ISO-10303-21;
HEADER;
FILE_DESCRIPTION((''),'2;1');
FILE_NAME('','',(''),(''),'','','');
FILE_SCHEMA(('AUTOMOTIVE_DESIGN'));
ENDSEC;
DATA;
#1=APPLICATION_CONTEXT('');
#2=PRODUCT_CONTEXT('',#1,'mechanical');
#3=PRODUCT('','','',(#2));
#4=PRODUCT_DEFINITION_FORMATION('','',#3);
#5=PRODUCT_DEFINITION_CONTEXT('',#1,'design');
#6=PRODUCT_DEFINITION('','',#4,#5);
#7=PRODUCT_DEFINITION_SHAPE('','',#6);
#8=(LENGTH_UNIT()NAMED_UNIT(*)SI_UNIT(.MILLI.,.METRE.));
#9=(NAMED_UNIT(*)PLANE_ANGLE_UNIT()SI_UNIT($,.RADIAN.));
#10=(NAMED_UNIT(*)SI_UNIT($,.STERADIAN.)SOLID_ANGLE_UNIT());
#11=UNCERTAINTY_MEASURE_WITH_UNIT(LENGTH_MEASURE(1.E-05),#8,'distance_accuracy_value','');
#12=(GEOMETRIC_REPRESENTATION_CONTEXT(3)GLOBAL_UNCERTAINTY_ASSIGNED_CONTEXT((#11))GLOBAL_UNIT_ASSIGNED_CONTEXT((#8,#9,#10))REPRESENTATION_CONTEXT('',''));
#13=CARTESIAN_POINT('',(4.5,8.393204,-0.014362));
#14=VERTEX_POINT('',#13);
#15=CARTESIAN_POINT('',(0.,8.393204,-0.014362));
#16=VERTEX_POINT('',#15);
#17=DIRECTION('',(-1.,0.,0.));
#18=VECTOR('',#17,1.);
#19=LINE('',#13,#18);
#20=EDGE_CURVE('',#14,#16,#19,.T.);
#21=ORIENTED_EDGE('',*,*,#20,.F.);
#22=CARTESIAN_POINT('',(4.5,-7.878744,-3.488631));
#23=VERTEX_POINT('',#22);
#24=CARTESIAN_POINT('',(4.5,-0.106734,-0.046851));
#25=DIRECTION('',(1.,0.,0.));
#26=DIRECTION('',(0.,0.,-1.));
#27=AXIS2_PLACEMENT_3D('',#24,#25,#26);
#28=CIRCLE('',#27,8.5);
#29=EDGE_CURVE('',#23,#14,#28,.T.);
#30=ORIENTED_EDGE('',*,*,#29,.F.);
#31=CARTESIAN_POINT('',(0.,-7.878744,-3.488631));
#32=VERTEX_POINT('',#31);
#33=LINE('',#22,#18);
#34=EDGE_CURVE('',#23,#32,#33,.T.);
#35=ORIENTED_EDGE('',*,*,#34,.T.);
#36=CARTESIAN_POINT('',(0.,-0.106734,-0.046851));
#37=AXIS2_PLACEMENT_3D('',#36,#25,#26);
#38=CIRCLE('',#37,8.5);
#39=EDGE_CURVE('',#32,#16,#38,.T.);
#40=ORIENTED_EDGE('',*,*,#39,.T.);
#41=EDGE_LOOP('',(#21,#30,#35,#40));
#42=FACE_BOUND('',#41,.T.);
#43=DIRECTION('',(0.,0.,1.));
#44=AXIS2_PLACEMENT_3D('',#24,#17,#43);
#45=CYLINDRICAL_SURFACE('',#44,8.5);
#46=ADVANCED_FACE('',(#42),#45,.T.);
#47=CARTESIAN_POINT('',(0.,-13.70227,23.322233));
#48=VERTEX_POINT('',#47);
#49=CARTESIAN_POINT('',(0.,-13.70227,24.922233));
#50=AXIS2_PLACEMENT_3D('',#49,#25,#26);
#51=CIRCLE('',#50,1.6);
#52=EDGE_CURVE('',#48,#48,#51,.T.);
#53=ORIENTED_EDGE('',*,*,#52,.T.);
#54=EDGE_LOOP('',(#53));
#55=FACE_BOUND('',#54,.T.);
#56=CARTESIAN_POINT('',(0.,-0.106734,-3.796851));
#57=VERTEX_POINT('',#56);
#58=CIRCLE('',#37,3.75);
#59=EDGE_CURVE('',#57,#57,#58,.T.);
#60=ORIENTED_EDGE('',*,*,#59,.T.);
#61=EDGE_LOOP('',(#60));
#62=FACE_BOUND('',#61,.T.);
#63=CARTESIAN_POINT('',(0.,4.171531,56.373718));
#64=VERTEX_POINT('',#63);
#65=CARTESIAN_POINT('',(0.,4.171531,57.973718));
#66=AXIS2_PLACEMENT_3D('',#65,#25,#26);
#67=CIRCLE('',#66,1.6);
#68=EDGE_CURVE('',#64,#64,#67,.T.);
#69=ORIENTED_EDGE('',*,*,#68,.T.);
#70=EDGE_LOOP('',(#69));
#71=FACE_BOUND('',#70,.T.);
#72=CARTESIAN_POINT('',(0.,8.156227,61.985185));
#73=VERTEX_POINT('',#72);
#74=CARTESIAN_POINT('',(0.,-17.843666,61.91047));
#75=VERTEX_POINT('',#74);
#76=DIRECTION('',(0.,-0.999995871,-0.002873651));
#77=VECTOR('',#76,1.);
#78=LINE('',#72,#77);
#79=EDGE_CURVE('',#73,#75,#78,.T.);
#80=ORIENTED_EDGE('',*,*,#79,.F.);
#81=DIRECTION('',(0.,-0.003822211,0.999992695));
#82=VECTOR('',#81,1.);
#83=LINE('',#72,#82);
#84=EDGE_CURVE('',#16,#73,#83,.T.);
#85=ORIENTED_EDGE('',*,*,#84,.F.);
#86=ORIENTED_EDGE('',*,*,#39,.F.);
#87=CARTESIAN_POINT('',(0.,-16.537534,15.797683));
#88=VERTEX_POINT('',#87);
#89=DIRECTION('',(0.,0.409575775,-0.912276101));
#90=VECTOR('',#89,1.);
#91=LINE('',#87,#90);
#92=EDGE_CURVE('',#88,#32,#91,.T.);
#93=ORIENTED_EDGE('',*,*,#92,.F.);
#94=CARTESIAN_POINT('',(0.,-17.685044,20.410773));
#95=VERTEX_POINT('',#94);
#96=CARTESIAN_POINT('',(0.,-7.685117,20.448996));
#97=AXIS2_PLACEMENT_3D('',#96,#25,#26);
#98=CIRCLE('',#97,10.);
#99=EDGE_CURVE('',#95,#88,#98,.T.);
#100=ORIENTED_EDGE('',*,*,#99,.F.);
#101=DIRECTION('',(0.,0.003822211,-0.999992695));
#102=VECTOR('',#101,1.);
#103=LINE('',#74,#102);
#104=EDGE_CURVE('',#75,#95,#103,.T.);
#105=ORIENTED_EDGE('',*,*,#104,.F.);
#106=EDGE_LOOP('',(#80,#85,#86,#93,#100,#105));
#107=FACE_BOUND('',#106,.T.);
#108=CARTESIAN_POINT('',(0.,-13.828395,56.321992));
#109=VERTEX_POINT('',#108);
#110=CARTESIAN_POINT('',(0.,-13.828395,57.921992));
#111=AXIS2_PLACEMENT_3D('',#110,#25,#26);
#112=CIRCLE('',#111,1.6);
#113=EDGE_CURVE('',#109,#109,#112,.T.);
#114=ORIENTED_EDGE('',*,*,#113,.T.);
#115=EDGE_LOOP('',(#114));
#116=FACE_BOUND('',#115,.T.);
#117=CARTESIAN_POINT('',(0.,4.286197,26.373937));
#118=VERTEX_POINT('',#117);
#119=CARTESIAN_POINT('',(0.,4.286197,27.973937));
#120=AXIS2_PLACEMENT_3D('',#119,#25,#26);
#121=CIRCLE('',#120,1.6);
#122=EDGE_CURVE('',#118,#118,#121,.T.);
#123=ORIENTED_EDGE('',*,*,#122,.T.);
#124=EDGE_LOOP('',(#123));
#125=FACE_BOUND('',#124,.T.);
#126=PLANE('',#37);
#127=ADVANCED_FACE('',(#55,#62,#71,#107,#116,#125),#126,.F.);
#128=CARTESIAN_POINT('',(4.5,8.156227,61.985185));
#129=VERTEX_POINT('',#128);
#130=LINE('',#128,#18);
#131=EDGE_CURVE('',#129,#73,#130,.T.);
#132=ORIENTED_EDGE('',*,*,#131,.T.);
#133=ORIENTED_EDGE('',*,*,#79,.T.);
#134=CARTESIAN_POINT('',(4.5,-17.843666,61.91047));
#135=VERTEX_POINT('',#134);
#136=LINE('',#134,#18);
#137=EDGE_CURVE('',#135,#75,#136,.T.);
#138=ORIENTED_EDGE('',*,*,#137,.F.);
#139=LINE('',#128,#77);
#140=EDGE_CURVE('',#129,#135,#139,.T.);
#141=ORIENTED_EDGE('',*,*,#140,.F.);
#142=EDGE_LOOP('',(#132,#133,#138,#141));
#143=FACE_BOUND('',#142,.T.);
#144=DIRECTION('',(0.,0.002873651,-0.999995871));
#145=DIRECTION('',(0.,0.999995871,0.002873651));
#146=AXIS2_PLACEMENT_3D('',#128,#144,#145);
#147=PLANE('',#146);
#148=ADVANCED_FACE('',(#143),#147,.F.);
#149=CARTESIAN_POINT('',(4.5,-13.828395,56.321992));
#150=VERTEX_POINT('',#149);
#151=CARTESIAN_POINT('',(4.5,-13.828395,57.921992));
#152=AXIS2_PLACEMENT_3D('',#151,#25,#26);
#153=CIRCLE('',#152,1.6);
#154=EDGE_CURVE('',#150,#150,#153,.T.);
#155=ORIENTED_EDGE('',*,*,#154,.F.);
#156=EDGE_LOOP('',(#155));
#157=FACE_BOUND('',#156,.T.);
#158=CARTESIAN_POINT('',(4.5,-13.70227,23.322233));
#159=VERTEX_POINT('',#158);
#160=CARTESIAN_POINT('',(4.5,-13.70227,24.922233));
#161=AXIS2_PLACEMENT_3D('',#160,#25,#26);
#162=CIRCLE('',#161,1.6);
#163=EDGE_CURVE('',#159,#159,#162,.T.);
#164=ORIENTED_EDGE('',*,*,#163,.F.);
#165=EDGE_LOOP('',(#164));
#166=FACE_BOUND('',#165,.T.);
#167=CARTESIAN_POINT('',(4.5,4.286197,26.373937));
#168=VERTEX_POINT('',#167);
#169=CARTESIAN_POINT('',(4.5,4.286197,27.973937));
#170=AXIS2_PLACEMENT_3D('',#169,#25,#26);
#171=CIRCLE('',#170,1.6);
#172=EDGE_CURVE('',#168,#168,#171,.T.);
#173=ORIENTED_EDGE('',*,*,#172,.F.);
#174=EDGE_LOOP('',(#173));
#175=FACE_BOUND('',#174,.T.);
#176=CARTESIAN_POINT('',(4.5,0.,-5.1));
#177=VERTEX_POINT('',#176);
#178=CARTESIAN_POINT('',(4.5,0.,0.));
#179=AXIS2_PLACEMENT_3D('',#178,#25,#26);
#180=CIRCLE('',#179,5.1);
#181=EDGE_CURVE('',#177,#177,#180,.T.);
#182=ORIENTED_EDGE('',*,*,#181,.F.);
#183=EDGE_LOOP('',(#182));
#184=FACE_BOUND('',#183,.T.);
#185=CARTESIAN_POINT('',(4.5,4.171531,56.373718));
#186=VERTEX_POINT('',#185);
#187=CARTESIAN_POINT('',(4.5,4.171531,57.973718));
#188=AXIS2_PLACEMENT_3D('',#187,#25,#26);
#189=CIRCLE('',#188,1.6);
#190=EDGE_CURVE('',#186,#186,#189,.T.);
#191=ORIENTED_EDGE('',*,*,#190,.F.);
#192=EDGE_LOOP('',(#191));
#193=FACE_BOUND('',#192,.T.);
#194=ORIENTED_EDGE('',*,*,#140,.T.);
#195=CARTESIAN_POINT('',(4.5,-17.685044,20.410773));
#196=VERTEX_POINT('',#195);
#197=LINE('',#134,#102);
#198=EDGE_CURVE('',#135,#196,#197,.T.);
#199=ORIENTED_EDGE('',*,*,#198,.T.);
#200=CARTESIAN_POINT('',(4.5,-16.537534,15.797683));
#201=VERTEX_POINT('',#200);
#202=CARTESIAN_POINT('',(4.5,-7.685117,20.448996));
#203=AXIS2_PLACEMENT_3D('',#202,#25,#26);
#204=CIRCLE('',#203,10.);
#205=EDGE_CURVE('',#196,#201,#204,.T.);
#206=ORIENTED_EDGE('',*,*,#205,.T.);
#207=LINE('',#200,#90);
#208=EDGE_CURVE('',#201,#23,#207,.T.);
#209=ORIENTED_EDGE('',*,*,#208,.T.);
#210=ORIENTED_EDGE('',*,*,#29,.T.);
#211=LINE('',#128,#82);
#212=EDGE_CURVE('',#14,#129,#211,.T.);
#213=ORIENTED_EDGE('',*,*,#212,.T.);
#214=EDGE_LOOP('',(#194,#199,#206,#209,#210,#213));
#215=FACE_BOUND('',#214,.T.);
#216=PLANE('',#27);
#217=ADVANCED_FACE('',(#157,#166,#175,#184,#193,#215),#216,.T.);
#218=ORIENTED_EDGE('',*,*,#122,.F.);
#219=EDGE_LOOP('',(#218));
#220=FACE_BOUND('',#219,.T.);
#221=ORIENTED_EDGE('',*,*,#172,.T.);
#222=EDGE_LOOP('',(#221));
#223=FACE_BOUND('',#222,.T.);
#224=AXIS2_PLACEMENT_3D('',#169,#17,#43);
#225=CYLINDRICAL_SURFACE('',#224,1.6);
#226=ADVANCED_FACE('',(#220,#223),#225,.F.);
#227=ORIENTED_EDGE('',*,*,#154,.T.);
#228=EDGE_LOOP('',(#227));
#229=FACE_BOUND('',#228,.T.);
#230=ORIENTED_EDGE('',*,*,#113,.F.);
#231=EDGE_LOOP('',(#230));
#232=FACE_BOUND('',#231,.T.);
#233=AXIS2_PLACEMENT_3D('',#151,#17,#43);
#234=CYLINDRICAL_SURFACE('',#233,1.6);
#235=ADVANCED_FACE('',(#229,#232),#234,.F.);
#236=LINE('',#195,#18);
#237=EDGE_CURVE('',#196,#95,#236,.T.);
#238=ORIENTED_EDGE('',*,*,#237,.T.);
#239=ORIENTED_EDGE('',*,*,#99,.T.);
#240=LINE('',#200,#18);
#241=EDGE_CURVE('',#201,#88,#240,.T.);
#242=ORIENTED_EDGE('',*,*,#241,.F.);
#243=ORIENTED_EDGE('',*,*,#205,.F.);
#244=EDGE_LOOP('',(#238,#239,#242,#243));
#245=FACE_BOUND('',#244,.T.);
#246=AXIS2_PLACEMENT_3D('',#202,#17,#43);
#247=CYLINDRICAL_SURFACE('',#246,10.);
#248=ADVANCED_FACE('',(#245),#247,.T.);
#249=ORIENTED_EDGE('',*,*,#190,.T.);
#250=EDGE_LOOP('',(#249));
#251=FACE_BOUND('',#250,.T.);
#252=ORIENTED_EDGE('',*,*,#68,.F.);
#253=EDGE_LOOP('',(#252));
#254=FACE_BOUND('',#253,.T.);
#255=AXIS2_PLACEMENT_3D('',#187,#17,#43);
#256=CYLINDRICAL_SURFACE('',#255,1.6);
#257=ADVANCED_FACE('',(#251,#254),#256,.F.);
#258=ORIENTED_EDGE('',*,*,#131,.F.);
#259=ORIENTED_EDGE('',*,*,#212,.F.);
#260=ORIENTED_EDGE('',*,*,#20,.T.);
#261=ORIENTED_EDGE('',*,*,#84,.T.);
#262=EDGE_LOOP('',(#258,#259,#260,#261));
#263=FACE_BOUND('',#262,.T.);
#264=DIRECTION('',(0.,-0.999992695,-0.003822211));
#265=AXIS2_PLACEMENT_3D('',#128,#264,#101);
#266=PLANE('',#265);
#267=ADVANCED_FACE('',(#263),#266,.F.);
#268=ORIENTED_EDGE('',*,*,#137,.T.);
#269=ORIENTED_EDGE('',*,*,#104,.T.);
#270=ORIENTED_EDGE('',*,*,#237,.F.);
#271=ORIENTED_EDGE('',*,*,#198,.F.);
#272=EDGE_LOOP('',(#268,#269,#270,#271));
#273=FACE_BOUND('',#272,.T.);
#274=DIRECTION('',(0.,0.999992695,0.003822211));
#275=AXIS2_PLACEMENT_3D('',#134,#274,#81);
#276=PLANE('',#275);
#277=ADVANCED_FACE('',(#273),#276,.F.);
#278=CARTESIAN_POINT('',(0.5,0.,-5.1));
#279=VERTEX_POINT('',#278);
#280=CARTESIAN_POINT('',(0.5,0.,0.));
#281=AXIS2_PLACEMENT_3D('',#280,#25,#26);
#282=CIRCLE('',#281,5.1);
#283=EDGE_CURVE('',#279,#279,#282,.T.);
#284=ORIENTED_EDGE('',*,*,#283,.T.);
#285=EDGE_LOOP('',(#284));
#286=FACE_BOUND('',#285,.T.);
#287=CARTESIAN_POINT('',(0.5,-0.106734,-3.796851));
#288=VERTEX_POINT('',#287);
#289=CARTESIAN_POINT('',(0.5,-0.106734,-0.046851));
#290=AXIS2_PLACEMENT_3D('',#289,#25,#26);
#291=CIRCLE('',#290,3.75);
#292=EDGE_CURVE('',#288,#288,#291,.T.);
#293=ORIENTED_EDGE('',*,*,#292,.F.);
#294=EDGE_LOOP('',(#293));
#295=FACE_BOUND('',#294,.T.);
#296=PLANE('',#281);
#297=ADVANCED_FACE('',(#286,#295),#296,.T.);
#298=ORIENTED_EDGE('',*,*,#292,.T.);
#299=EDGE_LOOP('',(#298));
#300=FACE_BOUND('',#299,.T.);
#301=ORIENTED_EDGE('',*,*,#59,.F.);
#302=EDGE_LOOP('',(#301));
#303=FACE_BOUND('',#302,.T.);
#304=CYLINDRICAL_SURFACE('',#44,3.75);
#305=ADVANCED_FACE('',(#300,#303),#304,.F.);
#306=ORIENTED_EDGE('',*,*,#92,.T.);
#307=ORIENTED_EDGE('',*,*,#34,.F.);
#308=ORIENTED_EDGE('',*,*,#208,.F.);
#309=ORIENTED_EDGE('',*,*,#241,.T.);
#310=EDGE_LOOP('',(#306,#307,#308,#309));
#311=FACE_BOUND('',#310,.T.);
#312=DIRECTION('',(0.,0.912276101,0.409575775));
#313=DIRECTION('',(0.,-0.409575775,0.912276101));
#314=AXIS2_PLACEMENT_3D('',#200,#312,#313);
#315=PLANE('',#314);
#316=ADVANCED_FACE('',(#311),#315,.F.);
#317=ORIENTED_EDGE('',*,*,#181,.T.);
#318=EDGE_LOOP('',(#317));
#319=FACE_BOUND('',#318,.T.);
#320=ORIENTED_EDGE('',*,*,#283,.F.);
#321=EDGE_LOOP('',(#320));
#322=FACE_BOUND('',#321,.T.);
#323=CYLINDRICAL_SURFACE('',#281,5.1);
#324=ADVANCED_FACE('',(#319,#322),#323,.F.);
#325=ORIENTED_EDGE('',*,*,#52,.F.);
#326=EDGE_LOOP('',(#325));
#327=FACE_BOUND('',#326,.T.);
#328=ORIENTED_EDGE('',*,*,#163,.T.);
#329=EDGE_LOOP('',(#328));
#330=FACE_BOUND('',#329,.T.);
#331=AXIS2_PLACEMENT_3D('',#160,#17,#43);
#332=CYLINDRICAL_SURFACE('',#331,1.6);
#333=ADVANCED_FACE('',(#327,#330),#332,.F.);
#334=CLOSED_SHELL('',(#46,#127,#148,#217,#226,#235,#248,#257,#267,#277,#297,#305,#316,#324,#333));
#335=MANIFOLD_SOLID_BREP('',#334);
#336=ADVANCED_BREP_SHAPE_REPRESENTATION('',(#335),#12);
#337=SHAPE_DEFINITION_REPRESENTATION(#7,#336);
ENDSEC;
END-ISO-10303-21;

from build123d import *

# Parameters (mm, degrees)
SKETCH_1_R          = 3.75
SKETCH_1_R_2        = 1.6
EXTRUDE_1_DEPTH     = 4.5
SKETCH_2_R          = 5.1
CUT_EXTRUDE_1_DEPTH = 4


with BuildPart() as part:
    # 草图1 → 凸台-拉伸1 (new body)
    with BuildSketch(Plane(origin=(0, 0, 0), x_dir=(0, 0, -1), z_dir=(1, 0, 0))):
        with BuildLine():
            Line((-15.79768273, -16.537533957), (3.488631385, -7.878744113))
            ThreePointArc((3.488631385, -7.878744113), (8.359485225, 1.66812029), (0.014361881, 8.393204188))
            Line((0.014361881, 8.393204188), (-61.98518523, 8.15622713))
            Line((-61.98518523, 8.15622713), (-61.910470293, -17.843665517))
            Line((-61.910470293, -17.843665517), (-20.410773437, -17.685043777))
            ThreePointArc((-20.410773437, -17.685043777), (-18.035050818, -17.389387577), (-15.79768273, -16.537533957))
        make_face()
        with Locations((0.046850671, -0.106733722)):
            Circle(SKETCH_1_R, mode=Mode.SUBTRACT)
        with Locations((-57.973718038, 4.171530696)):
            Circle(SKETCH_1_R_2, mode=Mode.SUBTRACT)
        with Locations((-24.922233336, -13.702270131)):
            Circle(SKETCH_1_R_2, mode=Mode.SUBTRACT)
        with Locations((-27.973937178, 4.286197014)):
            Circle(SKETCH_1_R_2, mode=Mode.SUBTRACT)
        with Locations((-57.921992313, -13.828394983)):
            Circle(SKETCH_1_R_2, mode=Mode.SUBTRACT)
    extrude(amount=EXTRUDE_1_DEPTH)

    # 草图2 → 切除-拉伸1 (cut)
    with BuildSketch(Plane(origin=(4.5, 0, 0), x_dir=(0, 0, -1), z_dir=(1, 0, 0))):
        Circle(SKETCH_2_R)
    extrude(amount=-CUT_EXTRUDE_1_DEPTH, mode=Mode.SUBTRACT)


solid = part.part
